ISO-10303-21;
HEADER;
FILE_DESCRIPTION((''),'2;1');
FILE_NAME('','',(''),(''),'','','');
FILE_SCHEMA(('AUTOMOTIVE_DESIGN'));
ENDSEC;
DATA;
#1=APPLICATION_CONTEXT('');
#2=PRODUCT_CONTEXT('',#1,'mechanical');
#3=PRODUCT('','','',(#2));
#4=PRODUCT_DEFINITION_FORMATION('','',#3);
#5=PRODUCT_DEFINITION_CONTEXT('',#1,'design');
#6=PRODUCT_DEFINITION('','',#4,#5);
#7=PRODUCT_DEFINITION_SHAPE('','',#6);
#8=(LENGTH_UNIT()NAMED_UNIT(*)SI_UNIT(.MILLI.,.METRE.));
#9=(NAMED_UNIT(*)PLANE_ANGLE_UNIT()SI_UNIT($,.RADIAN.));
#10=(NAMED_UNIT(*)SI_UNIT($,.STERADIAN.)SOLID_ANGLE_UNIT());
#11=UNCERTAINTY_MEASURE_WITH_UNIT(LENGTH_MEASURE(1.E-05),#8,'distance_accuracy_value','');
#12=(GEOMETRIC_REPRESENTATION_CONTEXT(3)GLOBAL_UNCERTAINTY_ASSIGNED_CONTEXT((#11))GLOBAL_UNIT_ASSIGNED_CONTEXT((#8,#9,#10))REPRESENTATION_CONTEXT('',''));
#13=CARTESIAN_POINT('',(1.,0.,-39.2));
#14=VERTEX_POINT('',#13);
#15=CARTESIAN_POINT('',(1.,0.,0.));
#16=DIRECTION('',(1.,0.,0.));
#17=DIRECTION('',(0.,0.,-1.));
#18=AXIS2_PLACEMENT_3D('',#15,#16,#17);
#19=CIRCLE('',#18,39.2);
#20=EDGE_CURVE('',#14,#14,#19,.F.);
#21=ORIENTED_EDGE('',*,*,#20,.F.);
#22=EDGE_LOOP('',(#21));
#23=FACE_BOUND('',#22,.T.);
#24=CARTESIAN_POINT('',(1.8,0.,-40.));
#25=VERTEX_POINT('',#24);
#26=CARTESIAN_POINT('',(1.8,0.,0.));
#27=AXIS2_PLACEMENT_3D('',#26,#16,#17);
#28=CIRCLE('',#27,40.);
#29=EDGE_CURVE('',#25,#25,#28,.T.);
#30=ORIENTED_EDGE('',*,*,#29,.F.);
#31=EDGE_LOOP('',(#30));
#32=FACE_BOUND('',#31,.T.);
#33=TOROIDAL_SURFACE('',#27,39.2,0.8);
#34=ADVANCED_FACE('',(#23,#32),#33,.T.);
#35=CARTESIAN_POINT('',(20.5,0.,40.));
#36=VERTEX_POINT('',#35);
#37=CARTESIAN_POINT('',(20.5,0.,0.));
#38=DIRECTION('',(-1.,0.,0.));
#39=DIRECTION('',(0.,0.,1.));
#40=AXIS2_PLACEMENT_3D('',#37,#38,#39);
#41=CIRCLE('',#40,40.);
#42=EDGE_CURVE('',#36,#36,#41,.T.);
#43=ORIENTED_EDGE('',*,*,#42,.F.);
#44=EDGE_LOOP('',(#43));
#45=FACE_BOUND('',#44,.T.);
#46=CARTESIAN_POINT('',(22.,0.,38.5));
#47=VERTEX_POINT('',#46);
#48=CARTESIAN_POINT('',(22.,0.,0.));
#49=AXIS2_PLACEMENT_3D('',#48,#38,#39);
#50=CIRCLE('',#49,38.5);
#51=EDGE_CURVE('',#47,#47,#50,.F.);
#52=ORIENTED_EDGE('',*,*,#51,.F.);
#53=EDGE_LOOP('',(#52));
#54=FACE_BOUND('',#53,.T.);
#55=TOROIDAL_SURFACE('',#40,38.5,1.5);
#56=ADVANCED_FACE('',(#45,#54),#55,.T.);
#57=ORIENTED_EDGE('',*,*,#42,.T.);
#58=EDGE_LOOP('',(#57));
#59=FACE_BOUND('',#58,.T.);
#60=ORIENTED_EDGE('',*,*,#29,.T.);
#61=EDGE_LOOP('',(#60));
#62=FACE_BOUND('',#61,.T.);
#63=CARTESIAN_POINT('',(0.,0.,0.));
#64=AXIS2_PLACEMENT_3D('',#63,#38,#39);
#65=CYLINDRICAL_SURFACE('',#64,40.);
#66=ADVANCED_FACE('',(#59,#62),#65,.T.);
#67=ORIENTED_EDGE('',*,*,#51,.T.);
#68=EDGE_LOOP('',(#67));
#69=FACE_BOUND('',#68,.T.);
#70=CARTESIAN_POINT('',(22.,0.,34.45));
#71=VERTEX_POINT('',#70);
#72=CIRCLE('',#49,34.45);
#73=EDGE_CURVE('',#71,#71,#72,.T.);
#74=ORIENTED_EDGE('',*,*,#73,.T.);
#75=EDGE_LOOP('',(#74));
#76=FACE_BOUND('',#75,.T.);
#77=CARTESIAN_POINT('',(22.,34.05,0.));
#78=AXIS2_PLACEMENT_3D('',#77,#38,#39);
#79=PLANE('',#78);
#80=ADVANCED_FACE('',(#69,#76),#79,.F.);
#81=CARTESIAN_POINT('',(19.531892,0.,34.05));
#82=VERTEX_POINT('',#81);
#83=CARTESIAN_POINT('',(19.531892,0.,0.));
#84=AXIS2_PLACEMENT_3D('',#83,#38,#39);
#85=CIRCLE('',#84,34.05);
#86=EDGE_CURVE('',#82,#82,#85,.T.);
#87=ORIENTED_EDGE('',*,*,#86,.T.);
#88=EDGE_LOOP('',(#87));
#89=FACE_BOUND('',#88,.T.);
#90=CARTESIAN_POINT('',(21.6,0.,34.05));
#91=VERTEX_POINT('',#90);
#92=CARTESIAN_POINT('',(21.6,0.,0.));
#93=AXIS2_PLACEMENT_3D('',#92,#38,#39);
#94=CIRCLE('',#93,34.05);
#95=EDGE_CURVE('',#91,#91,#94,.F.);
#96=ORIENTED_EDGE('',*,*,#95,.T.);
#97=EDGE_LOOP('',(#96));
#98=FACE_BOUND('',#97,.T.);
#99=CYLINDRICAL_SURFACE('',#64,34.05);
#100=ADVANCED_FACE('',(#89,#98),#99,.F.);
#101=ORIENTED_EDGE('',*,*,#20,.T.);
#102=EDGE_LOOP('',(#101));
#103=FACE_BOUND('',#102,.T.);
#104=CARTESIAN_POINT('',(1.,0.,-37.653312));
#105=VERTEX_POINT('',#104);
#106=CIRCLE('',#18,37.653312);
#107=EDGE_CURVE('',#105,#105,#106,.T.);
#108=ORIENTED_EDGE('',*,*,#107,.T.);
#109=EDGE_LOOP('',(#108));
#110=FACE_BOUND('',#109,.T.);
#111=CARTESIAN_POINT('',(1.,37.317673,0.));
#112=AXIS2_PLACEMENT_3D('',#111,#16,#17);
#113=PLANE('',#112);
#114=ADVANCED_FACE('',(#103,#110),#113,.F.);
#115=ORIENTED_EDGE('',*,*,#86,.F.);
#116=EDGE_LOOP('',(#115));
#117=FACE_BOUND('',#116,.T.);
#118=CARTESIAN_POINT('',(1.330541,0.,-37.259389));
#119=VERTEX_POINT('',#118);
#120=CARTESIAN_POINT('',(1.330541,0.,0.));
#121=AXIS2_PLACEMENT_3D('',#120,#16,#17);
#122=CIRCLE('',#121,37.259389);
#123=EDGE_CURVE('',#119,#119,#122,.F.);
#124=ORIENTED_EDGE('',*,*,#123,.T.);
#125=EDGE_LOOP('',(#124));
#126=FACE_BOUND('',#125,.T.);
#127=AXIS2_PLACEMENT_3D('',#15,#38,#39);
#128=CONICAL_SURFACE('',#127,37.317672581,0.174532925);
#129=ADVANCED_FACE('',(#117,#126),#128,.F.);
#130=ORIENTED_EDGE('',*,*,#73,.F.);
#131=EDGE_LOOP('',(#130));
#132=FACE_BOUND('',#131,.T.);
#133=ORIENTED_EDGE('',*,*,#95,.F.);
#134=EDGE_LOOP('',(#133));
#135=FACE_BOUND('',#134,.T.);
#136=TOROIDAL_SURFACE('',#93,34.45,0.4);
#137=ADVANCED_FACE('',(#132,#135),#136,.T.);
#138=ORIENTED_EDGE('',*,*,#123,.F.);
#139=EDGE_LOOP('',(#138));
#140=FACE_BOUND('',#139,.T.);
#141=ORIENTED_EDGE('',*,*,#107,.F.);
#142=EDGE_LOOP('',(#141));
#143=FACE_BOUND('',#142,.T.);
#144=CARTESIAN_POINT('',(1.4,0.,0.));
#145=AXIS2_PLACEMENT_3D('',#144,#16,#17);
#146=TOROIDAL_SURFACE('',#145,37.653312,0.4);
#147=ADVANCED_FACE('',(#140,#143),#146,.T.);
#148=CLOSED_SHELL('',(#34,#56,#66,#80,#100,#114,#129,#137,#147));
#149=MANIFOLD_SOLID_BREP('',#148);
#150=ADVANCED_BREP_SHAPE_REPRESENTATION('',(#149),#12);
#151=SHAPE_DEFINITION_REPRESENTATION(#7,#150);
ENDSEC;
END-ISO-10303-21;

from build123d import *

# Parameters (mm, degrees)
FILLET1_R = 1.5
FILLET2_R = 0.8
FILLET3_R = 0.4


with BuildPart() as part:
    # Sketch1 → Revolve1 (revolve)
    with BuildSketch(Plane.XY, mode=Mode.PRIVATE) as revolve1_sk:
        Polygon((22, 34.05), (22, 40), (1, 40), (1, 37.317672581), (19.5318921, 34.05), align=None)
    revolve(revolve1_sk.sketch.rotate(Axis((0, 0, 0), (1, 0, 0)), 90), axis=Axis((0, 0, 0), (1, 0, 0)))

    # Fillet1
    fillet1_edges = [part.edges().sort_by_distance(p)[0] for p in [
        (22, 0, -40),
    ]]
    fillet(fillet1_edges, radius=FILLET1_R)

    # Fillet2
    fillet2_edges = [part.edges().sort_by_distance(p)[0] for p in [
        (1, 0, -40),
    ]]
    fillet(fillet2_edges, radius=FILLET2_R)

    # Fillet3
    fillet3_edges = [part.edges().sort_by_distance(p)[0] for p in [
        (22, 0, -34.05),
        (1, 0, -37.317672581),
    ]]
    fillet(fillet3_edges, radius=FILLET3_R)


solid = part.part
